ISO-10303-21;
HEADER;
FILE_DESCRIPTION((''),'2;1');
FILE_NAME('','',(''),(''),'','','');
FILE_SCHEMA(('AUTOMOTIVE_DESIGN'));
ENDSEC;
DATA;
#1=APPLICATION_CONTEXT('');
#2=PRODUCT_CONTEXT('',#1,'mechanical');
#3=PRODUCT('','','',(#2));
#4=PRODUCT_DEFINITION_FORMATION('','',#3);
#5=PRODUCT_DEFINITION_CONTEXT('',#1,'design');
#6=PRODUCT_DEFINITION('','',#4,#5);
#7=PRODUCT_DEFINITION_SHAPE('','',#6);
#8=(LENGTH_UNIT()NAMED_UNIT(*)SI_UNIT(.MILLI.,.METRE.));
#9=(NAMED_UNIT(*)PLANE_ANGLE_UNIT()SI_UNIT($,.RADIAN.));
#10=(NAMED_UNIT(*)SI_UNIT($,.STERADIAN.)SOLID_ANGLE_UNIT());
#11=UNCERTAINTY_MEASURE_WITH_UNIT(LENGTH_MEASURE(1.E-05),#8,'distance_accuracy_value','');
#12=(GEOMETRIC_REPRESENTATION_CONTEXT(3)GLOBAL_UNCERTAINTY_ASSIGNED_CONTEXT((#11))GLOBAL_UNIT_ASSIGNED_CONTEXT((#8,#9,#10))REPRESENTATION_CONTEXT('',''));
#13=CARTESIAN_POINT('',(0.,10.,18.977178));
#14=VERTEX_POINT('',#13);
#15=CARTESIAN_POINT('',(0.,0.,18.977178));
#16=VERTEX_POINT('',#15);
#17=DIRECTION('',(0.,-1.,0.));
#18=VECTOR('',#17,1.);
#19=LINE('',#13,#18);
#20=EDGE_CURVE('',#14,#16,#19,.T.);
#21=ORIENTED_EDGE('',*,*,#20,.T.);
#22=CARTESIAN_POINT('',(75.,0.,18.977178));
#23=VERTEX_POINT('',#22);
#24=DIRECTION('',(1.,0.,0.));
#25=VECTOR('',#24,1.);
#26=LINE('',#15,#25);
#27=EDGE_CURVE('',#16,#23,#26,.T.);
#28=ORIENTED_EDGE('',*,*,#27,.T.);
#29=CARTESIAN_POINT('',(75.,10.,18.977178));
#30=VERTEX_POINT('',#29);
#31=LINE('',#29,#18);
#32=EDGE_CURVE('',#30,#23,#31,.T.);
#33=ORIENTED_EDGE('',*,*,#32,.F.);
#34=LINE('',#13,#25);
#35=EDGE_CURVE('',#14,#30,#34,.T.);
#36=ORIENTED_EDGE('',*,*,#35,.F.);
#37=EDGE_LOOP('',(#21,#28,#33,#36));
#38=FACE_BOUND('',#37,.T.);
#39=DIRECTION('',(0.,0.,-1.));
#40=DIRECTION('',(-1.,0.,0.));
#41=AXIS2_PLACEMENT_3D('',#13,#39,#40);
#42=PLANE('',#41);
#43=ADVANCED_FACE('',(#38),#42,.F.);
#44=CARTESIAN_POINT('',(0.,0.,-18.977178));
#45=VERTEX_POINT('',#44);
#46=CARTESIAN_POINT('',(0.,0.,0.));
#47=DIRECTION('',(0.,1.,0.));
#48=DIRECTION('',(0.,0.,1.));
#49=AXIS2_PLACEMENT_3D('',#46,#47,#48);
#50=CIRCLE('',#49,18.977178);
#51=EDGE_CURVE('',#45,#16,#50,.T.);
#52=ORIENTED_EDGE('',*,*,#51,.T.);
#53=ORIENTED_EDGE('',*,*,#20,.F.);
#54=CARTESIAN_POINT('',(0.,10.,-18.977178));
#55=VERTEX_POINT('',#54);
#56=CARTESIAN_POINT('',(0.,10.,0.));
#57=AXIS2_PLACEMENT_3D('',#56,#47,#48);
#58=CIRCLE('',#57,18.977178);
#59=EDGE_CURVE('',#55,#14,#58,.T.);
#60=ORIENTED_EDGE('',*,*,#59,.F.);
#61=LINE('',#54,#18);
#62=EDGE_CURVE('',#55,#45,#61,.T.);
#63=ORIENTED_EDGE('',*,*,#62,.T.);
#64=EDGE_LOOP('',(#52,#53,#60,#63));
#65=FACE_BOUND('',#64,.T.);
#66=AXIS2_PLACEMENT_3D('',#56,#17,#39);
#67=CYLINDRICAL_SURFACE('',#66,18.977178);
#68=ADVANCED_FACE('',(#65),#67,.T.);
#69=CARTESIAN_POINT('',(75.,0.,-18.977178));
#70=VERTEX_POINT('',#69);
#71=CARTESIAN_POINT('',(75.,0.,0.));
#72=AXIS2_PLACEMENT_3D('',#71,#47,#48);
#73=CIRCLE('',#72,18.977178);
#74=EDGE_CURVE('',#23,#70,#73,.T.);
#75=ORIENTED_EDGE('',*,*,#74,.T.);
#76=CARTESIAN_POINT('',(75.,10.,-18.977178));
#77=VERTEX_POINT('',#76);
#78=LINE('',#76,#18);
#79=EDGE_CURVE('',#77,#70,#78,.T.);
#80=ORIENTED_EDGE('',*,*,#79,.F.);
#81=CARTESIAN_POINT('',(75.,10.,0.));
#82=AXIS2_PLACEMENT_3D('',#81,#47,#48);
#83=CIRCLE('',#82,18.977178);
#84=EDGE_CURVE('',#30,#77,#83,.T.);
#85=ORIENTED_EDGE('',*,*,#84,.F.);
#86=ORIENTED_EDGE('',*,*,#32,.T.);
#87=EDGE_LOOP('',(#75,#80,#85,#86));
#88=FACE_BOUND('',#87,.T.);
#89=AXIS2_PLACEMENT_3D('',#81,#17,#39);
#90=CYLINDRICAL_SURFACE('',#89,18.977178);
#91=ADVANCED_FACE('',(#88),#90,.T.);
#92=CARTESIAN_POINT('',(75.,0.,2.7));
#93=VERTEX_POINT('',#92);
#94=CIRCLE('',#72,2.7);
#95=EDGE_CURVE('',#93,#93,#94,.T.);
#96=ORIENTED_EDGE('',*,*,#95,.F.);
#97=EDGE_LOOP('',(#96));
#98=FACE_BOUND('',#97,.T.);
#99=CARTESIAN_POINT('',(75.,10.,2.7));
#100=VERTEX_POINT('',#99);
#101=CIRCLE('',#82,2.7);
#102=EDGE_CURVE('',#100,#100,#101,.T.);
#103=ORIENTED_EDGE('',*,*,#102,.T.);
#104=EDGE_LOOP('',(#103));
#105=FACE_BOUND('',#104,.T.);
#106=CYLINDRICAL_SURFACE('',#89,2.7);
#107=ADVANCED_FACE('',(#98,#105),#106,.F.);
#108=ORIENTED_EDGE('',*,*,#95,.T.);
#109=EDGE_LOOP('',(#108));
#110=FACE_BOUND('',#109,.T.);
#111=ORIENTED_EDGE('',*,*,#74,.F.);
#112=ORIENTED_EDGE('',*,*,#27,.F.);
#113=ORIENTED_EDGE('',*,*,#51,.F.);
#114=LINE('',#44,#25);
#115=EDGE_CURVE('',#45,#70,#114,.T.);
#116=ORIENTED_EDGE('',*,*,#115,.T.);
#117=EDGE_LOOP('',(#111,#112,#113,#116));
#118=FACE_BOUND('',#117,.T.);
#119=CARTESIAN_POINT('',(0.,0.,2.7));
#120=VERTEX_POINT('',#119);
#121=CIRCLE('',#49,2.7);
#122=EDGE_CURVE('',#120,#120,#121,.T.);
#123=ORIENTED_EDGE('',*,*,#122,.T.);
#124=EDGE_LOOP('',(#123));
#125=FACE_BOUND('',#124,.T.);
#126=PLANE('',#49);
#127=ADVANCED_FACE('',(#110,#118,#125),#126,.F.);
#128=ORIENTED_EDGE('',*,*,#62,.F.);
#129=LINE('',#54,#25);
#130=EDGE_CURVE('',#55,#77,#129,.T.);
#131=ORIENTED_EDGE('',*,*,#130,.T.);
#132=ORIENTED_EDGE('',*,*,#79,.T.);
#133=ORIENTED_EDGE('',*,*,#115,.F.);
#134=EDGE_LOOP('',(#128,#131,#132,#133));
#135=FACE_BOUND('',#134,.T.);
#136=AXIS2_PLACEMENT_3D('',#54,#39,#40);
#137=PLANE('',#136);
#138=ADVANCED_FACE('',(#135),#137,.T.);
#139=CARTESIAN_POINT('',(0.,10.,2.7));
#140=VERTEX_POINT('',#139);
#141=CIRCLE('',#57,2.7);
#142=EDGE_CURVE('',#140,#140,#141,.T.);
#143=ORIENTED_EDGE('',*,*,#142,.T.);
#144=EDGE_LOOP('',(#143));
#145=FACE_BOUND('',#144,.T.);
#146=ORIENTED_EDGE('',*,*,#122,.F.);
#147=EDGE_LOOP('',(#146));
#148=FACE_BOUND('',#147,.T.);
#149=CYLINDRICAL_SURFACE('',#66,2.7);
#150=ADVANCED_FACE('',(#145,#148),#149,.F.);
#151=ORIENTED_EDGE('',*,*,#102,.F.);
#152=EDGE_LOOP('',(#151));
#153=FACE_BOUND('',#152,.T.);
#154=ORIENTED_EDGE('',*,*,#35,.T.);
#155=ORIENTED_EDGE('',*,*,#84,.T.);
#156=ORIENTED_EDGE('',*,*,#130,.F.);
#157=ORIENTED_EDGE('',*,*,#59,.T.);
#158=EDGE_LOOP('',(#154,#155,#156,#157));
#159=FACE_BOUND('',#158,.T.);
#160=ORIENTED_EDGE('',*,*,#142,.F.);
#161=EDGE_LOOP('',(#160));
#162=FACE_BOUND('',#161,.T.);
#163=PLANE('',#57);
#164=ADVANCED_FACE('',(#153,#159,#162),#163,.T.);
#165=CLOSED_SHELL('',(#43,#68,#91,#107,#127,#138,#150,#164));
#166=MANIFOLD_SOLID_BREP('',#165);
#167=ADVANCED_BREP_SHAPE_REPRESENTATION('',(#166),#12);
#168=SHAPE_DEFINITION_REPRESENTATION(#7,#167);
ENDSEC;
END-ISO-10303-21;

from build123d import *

# Parameters (mm, degrees)
SKETCH1_R           = 2.7
BOSS_EXTRUDE1_DEPTH = 10


with BuildPart() as part:
    # Sketch1 → Boss-Extrude1 (new body)
    with BuildSketch(Plane(origin=(0, 0, 0), x_dir=(1, 0, 0), z_dir=(0, 1, 0))):
        with BuildLine():
            Line((0, -18.977178488), (75, -18.977178488))
            ThreePointArc((75, -18.977178488), (93.977178488, 0), (75, 18.977178488))
            Line((75, 18.977178488), (0, 18.977178488))
            ThreePointArc((0, 18.977178488), (-18.977178488, 0), (0, -18.977178488))
        make_face()
        with Locations(Location((75, 0, 0), (0, 0, 270))):
            Circle(SKETCH1_R, mode=Mode.SUBTRACT)
        with Locations(Location((0, 0, 0), (0, 0, 270))):
            Circle(SKETCH1_R, mode=Mode.SUBTRACT)
    extrude(amount=BOSS_EXTRUDE1_DEPTH)


solid = part.part
